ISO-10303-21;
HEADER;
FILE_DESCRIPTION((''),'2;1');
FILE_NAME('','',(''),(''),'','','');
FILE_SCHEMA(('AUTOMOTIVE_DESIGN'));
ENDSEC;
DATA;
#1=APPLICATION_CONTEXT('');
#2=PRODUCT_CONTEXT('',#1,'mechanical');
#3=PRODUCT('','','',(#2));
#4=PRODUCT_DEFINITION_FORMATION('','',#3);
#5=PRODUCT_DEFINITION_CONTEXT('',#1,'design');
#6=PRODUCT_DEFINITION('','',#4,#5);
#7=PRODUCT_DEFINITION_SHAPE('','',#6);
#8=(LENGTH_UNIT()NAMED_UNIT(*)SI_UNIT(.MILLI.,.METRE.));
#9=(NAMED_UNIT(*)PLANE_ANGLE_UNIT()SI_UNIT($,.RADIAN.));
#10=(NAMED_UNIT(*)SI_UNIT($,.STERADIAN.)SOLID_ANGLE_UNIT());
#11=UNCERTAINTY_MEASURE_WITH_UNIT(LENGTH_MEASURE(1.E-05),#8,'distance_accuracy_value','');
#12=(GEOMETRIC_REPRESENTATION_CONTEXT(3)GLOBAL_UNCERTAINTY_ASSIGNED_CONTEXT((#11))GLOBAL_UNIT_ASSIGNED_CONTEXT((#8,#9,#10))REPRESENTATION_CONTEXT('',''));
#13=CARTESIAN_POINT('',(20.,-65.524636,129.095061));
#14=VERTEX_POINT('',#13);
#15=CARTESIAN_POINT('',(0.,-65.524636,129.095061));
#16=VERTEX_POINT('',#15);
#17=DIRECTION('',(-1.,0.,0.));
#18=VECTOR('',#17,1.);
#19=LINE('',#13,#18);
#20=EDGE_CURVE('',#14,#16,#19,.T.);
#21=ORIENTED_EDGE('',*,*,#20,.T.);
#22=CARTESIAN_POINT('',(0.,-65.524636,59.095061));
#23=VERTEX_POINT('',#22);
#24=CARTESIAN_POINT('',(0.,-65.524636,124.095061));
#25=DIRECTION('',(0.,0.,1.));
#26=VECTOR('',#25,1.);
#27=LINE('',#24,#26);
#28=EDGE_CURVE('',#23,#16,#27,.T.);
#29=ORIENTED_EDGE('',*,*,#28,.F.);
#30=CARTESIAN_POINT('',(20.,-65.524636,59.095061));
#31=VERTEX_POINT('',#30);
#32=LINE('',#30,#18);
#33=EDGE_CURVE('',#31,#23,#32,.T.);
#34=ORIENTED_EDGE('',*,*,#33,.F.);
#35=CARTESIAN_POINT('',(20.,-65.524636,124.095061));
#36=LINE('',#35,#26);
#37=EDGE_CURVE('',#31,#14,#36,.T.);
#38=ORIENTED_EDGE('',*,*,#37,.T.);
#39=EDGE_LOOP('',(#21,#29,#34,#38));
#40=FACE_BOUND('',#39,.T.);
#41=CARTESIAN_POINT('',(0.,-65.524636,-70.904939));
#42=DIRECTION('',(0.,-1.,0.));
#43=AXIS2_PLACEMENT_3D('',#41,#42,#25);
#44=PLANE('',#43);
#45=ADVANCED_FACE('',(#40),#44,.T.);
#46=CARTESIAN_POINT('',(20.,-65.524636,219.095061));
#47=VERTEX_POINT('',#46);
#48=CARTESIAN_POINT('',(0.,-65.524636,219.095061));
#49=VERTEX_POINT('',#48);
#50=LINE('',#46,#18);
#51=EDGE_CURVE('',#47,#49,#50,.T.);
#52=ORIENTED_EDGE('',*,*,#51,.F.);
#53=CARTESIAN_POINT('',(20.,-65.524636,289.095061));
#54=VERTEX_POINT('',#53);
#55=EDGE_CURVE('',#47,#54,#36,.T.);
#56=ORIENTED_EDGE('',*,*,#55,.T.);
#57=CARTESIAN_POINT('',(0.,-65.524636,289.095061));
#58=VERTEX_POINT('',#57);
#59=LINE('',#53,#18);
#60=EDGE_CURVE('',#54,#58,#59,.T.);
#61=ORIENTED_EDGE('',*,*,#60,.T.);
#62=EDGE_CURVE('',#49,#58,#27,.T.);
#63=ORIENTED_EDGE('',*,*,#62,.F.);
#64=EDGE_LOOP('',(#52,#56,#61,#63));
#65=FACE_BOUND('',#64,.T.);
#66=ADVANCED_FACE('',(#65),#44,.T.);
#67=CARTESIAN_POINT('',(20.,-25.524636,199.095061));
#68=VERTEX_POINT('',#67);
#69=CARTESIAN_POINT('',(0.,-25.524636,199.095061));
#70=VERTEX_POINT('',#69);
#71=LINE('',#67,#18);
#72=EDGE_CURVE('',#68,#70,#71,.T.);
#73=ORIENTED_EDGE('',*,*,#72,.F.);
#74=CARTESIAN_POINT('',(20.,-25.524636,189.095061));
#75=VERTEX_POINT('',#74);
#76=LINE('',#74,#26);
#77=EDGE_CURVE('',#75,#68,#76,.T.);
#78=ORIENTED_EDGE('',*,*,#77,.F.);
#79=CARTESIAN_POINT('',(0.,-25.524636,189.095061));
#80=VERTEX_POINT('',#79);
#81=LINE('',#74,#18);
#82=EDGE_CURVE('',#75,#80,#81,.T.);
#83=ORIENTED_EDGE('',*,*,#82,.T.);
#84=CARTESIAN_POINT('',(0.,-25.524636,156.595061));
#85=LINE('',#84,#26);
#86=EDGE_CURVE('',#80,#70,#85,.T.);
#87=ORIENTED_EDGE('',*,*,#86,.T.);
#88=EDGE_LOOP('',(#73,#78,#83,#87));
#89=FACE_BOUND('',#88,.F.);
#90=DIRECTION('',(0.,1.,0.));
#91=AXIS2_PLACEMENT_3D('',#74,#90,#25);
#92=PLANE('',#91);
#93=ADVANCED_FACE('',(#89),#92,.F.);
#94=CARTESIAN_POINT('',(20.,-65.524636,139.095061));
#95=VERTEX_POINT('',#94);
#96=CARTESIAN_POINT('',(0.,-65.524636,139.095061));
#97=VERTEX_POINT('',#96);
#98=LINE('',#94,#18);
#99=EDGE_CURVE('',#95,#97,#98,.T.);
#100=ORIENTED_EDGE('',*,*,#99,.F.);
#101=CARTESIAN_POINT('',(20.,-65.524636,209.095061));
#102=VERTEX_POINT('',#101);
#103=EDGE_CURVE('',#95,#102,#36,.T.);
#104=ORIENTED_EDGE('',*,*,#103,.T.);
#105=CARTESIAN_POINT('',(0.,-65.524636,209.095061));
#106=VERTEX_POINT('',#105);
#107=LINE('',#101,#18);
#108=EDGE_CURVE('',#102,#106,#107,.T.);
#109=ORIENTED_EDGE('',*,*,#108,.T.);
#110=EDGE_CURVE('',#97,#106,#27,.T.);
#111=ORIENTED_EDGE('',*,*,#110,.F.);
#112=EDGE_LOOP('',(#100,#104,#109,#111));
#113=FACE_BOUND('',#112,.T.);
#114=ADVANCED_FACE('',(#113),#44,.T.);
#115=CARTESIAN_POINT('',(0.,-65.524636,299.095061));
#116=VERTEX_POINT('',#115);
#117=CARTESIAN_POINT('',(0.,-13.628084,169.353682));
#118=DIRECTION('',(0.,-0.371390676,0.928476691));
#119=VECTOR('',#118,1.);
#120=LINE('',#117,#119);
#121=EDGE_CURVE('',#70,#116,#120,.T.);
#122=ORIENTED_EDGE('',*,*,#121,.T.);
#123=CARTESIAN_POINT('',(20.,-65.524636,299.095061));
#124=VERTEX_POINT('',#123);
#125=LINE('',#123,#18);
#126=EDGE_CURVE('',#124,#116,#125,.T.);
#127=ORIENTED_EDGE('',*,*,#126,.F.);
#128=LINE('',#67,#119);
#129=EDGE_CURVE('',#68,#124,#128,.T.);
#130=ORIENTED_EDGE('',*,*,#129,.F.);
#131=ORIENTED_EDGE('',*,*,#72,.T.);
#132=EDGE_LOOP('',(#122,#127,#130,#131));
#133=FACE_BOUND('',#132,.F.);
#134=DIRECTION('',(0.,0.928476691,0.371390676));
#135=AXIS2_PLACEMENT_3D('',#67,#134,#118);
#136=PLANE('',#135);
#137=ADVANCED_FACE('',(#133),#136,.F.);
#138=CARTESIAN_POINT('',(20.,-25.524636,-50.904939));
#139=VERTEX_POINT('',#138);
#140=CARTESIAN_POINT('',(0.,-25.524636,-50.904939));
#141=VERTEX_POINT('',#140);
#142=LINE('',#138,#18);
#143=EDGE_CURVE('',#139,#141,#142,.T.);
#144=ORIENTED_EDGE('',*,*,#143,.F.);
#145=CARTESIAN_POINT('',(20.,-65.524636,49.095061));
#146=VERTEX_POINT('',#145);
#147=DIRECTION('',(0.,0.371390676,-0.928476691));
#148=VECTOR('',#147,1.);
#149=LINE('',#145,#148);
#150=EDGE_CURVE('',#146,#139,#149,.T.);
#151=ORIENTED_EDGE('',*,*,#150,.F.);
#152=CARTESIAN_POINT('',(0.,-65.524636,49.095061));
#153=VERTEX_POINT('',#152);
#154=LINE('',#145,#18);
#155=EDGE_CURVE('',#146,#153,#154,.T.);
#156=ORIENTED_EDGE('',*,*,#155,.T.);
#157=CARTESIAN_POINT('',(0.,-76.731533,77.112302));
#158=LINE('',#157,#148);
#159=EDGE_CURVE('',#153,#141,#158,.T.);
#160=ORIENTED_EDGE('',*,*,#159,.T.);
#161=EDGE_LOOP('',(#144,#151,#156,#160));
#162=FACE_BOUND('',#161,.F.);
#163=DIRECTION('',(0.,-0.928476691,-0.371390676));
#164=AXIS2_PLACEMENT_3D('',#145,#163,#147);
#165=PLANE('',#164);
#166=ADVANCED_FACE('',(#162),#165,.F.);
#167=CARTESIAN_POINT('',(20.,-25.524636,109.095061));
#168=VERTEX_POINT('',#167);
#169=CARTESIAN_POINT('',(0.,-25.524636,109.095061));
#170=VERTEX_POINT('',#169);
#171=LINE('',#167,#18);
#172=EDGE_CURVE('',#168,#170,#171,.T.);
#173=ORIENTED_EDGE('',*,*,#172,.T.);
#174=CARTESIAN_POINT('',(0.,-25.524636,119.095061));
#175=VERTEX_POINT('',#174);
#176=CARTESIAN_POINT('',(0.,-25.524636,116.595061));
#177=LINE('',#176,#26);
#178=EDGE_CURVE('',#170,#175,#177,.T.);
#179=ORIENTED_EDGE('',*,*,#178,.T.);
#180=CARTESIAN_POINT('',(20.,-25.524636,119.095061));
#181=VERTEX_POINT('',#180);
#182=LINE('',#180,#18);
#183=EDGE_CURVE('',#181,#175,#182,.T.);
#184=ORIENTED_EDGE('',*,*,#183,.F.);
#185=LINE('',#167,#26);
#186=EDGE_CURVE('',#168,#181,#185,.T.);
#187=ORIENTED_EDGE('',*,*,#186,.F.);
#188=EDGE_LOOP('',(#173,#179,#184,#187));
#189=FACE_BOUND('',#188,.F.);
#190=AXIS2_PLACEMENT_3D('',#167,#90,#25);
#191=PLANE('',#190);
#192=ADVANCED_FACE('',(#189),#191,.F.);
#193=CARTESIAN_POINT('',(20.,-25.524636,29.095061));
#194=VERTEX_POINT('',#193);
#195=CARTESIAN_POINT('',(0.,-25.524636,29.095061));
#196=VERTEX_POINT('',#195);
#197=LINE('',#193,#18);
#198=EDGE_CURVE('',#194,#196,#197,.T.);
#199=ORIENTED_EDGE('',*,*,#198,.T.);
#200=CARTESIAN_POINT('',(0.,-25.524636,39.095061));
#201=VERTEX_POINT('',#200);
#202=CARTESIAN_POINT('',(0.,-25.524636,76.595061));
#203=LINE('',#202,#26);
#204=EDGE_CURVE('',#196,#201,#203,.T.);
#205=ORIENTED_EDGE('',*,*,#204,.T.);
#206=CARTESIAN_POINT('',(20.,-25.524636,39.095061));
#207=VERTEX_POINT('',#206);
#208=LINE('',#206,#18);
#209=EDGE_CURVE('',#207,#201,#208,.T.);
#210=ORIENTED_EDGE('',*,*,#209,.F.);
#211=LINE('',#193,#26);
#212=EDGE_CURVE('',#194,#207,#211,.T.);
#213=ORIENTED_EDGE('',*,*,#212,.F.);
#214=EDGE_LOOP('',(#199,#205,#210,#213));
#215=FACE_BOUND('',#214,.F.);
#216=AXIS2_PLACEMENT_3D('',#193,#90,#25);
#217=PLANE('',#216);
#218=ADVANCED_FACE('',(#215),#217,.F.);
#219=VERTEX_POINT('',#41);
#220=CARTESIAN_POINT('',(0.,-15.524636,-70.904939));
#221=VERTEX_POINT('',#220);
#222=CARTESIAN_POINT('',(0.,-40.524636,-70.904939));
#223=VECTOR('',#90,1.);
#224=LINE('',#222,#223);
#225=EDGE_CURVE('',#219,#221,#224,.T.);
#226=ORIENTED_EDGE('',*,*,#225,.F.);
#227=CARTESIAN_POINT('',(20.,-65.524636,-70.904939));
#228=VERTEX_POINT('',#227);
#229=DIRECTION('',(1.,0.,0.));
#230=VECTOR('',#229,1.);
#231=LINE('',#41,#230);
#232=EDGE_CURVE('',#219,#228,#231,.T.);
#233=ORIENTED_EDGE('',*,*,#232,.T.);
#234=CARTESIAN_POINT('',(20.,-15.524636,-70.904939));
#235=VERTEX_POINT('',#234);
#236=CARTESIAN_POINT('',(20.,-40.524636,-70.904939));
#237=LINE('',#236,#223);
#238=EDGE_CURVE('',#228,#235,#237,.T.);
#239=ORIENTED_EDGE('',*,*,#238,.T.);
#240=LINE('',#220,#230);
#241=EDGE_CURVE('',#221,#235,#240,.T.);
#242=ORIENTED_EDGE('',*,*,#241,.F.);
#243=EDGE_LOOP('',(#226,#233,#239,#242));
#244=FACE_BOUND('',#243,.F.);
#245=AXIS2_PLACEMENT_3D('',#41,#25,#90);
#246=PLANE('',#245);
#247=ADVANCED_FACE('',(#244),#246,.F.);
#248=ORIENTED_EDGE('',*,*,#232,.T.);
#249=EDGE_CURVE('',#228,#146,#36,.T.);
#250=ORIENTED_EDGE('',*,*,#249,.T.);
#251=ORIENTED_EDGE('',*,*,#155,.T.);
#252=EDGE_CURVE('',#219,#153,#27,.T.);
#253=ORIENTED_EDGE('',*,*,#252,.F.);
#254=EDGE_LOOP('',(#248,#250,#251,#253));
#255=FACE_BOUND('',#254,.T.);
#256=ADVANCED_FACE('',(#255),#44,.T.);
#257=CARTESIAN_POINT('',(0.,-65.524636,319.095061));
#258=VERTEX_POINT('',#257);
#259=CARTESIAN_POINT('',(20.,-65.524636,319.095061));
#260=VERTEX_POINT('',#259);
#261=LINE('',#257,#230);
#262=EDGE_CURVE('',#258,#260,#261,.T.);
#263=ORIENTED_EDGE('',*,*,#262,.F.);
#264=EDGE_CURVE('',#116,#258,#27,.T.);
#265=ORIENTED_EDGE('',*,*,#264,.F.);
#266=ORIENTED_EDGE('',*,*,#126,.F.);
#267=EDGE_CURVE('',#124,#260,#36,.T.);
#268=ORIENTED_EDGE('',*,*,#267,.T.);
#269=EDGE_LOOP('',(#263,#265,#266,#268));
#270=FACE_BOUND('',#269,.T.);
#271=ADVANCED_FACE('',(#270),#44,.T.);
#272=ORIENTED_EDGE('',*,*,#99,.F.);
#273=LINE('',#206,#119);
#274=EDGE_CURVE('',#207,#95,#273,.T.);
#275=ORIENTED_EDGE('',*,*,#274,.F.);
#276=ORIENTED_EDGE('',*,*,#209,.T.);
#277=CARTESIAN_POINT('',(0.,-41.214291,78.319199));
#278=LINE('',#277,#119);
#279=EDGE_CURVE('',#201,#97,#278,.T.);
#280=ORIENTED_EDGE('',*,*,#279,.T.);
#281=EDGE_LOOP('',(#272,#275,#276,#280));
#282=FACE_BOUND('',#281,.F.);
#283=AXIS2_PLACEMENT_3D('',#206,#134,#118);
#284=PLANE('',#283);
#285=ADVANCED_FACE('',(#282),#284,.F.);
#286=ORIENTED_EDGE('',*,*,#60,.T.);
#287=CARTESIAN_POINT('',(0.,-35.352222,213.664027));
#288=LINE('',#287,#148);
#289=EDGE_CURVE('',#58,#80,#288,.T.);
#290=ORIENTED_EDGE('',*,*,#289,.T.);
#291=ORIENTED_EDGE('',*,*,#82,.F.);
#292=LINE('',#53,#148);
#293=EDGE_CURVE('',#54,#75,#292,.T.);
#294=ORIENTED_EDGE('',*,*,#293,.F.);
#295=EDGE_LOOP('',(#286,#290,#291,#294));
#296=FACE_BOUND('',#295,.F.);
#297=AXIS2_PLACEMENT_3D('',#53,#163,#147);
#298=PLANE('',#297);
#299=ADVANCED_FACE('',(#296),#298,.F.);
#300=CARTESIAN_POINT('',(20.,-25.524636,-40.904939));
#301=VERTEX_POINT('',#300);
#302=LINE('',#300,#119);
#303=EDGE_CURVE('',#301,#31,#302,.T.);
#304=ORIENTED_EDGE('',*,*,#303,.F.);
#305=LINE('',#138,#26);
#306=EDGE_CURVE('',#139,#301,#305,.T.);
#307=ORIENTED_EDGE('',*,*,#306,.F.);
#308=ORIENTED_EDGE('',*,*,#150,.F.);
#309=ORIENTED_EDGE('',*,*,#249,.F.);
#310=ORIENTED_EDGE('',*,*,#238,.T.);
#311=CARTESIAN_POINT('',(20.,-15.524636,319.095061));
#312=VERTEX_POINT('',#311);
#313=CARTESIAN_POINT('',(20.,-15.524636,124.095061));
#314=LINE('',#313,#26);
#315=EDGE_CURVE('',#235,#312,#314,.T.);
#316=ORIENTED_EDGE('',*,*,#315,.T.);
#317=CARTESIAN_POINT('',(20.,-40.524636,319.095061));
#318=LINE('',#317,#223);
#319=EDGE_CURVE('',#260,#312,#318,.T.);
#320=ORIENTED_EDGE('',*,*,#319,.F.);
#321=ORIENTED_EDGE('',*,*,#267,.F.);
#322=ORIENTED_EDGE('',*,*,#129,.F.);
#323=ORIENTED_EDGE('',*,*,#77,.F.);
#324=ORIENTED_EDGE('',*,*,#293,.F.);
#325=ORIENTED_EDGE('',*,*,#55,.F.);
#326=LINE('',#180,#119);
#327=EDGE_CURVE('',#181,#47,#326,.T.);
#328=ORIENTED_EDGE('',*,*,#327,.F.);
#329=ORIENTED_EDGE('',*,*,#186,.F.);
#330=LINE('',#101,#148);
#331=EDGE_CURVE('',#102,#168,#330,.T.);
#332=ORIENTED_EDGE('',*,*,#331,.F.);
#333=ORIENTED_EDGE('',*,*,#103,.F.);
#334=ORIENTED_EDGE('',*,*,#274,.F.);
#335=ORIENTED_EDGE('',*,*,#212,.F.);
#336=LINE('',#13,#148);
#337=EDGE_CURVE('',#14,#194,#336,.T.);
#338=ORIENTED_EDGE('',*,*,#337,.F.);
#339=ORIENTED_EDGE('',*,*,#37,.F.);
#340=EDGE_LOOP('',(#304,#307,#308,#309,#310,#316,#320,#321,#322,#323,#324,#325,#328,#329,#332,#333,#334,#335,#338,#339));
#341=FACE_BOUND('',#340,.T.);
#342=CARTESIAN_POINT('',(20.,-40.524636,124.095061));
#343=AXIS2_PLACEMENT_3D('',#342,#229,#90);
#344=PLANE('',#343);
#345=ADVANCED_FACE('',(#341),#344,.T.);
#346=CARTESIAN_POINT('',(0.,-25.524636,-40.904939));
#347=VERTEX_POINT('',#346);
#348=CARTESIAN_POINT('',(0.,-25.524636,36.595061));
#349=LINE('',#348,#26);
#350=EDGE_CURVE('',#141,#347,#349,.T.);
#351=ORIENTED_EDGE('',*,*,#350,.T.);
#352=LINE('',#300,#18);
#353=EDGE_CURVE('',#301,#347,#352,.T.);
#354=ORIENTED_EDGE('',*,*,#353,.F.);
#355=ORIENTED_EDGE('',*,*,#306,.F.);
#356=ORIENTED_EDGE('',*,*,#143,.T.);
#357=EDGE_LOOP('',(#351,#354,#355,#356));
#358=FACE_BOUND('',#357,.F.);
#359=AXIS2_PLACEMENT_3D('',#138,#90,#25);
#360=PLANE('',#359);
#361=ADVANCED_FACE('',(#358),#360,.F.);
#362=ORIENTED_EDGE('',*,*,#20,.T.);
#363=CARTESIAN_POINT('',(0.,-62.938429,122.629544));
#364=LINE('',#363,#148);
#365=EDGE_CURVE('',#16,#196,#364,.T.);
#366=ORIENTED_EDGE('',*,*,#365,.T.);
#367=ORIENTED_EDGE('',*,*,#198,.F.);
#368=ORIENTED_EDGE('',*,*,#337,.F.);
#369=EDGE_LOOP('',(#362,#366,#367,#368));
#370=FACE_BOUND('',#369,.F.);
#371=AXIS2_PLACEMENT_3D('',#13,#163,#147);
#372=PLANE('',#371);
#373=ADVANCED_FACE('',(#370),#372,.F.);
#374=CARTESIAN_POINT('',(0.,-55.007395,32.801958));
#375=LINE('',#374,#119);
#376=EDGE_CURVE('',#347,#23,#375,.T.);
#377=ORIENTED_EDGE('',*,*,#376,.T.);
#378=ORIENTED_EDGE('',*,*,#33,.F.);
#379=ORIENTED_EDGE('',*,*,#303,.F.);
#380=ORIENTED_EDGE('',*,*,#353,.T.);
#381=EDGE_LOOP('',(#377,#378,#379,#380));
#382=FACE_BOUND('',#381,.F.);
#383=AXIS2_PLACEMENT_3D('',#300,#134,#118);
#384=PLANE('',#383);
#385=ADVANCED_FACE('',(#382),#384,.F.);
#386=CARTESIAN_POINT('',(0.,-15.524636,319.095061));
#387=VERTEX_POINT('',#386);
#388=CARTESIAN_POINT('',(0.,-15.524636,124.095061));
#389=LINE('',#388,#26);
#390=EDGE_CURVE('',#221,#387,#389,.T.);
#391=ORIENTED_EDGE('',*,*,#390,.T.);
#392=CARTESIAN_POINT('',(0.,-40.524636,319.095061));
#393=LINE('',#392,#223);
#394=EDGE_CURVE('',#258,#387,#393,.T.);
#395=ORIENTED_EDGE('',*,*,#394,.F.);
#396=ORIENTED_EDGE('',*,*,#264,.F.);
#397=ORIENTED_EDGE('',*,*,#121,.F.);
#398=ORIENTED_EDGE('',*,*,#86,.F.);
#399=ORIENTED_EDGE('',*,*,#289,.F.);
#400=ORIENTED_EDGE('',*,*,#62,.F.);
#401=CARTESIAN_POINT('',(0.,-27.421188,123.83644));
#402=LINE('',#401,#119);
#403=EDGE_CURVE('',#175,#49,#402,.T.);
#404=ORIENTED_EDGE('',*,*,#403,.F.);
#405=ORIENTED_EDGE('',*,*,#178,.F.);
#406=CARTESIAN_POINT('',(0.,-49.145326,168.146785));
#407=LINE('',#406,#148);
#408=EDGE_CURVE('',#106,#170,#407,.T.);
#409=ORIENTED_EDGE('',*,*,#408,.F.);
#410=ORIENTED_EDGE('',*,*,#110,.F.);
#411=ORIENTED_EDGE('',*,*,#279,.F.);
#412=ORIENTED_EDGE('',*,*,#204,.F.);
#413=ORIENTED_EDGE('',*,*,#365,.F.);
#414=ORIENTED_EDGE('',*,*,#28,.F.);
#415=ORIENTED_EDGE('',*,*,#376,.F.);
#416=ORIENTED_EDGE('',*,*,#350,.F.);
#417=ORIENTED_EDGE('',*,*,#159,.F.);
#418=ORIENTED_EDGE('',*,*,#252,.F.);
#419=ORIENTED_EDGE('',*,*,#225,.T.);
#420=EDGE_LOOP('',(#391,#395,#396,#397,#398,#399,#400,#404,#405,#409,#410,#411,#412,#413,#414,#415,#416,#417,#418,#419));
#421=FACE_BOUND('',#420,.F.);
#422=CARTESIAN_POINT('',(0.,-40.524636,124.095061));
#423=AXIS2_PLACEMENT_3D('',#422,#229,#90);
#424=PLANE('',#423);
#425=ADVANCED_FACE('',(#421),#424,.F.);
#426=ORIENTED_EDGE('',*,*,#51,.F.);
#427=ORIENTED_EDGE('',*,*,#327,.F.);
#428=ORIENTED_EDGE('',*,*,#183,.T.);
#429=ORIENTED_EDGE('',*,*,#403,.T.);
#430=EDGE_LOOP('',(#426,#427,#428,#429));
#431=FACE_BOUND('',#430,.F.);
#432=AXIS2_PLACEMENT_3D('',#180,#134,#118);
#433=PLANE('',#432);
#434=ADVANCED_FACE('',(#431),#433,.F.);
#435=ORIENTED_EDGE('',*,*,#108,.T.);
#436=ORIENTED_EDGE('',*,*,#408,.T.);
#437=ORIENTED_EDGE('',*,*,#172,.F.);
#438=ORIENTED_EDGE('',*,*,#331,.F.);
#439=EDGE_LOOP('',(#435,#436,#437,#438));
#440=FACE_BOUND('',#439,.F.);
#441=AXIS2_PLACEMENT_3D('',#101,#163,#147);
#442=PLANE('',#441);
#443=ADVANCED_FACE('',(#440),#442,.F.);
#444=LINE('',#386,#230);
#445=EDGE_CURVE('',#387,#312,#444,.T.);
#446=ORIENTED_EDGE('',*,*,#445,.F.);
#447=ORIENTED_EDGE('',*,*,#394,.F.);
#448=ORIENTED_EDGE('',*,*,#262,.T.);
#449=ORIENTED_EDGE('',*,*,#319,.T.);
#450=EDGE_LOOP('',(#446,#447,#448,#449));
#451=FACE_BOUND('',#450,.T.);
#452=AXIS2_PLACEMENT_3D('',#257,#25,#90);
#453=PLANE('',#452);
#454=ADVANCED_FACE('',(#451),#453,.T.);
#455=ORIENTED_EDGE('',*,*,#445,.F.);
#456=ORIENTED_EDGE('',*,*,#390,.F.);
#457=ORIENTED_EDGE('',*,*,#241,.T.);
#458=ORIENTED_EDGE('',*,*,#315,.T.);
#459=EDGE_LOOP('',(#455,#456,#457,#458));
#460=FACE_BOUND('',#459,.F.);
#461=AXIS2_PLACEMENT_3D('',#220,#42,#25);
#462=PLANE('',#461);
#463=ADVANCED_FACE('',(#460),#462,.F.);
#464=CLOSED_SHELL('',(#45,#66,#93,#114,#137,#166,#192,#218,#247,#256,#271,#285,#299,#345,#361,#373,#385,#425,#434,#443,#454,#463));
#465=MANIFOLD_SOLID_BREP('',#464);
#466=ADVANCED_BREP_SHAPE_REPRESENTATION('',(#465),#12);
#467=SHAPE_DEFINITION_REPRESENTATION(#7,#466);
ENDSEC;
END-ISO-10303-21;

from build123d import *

# Parameters (mm, degrees)
F0_W     = 50
F0_H     = 390
F1_DEPTH = 20
F3_DEPTH = 20.001


with BuildPart() as f1:
    # F0 (on Right) → F1 (new body)
    with BuildSketch(Plane.YZ):
        with Locations((-40.524636, 124.095061)):
            Rectangle(F0_W, F0_H)
    extrude(amount=F1_DEPTH)

    # F2 (on face) → F3 (cut, through all)
    with BuildSketch(Plane.YZ.offset(20)):
        Polygon((-65.524636, 59.095061), (-65.524636, 49.095061), (-25.524636, -50.904939), (-25.524636, -40.904939), align=None)
        Polygon((-25.524636, 29.095061), (-25.524636, 39.095061), (-65.524636, 139.095061), (-65.524636, 129.095061), align=None)
        Polygon((-25.524636, 109.095061), (-25.524636, 119.095061), (-65.524636, 219.095061), (-65.524636, 209.095061), align=None)
        Polygon((-25.524636, 189.095061), (-25.524636, 199.095061), (-65.524636, 299.095061), (-65.524636, 289.095061), align=None)
    extrude(amount=-F3_DEPTH, mode=Mode.SUBTRACT)


solid = f1.part
